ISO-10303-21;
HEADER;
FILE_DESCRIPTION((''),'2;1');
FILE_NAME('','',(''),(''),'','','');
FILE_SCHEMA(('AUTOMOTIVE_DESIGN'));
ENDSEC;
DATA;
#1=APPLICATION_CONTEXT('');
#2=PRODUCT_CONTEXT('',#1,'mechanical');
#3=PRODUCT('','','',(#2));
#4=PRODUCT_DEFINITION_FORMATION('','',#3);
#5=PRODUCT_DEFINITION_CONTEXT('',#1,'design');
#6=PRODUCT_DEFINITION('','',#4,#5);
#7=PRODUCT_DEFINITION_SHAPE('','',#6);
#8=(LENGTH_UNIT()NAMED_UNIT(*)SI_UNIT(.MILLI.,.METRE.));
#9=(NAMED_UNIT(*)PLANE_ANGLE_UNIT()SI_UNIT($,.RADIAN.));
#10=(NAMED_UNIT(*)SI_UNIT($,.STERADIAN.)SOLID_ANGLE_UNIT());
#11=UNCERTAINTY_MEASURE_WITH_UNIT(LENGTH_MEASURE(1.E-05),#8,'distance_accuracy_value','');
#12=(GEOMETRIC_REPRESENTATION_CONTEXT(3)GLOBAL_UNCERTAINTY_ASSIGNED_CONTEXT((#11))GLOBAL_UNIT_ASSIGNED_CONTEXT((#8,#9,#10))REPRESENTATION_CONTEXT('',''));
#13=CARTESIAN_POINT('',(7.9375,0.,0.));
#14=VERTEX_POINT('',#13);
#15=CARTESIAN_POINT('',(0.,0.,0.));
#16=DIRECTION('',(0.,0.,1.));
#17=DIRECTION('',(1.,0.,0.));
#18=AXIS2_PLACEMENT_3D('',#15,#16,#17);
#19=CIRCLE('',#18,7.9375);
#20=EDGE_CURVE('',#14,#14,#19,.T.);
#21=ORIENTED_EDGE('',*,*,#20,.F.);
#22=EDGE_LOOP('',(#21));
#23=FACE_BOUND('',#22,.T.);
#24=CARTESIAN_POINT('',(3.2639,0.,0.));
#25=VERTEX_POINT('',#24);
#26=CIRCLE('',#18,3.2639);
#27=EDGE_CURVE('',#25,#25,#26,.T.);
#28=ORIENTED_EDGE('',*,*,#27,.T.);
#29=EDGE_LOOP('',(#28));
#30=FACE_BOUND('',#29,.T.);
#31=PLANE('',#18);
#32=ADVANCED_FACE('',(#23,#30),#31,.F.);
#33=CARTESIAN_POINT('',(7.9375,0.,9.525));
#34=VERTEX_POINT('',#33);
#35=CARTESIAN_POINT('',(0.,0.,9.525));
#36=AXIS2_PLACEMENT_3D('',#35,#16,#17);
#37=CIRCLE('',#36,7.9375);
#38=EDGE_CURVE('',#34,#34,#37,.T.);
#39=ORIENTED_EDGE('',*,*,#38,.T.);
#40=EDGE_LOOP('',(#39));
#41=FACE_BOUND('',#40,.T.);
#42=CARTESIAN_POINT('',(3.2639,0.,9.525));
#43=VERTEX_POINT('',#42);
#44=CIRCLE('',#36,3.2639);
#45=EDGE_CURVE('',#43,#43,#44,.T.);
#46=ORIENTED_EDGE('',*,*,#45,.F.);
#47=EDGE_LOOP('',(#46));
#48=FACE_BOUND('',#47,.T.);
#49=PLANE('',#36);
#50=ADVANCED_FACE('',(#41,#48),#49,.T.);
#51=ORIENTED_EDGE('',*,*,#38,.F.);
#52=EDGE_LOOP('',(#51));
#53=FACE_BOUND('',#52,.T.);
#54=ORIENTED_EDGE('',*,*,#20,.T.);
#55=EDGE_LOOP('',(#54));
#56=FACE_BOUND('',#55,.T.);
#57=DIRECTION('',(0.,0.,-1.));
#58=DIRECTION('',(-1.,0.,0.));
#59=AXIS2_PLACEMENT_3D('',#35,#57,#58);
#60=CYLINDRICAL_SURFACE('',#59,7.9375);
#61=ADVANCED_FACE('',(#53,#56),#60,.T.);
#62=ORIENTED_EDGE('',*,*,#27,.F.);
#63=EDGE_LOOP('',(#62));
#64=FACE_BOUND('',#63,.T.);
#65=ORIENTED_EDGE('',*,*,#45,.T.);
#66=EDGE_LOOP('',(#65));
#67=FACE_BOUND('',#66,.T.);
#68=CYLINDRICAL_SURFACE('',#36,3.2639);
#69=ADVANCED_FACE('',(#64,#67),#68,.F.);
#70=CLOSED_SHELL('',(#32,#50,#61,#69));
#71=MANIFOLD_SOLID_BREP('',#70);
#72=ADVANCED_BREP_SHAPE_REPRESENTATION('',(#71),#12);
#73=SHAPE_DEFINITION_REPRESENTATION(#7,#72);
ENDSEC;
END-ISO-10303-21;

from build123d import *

# Parameters (mm, degrees)
SKETCH1_R               = 7.9375
BOSS_EXTRUDE1_DEPTH     = 9.525
F_1_4_CLEARANCE_HOLE1_D = 6.5278


with BuildPart() as part:
    # Sketch1 → Boss-Extrude1 (new body)
    with BuildSketch(Plane.XY):
        Circle(SKETCH1_R)
    extrude(amount=BOSS_EXTRUDE1_DEPTH)

    # 1/4 Clearance Hole1 (through all)
    with Locations(Plane.XY.offset(9.525)):
        with Locations((0, 0)):
            Hole(F_1_4_CLEARANCE_HOLE1_D / 2)


solid = part.part
